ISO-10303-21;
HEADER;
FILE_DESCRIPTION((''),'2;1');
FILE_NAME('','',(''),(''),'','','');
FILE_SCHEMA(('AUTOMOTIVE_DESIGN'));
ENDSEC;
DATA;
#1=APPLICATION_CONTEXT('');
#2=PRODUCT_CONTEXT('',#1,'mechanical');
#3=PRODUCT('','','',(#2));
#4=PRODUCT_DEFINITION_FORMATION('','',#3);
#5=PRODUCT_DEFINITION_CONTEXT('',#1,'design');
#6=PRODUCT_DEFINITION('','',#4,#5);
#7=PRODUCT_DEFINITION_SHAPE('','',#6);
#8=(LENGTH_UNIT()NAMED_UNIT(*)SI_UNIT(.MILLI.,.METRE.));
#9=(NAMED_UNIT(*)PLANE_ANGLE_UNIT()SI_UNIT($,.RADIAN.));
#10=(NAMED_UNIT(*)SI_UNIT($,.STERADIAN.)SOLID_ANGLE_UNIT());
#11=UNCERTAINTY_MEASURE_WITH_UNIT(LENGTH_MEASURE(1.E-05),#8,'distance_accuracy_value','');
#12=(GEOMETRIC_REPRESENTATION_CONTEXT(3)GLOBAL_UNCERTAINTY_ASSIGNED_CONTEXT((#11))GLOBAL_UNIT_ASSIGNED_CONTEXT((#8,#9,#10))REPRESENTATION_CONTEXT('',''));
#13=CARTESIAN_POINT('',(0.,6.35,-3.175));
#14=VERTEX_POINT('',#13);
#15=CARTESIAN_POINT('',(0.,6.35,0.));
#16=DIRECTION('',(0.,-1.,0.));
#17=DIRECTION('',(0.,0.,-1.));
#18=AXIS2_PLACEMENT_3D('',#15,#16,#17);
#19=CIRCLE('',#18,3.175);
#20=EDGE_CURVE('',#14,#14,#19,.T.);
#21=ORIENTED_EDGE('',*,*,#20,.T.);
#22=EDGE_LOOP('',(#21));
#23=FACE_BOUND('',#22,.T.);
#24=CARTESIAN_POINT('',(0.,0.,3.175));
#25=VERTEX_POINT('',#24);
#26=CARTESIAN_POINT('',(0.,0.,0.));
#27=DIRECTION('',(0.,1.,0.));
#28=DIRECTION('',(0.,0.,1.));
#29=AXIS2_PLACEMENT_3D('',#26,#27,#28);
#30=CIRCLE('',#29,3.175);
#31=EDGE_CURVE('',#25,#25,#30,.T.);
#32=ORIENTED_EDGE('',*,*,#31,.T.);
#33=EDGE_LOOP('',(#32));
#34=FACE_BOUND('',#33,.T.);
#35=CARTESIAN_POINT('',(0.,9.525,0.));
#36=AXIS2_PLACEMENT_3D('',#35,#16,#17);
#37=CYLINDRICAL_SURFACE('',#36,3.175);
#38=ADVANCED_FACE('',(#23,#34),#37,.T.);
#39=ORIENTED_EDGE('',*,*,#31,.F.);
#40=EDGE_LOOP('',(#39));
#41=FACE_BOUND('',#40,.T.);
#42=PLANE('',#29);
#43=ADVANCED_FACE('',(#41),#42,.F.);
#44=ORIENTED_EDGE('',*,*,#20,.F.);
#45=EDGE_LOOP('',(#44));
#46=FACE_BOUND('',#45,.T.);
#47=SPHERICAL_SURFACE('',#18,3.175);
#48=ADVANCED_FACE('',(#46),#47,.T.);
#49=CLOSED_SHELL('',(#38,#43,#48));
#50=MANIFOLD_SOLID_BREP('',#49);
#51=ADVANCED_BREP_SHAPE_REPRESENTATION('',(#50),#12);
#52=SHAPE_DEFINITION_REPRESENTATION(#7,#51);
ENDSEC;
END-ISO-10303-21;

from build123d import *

# Parameters (mm, degrees)
SKETCH1_R      = 3.175
EXTRUDE1_DEPTH = 9.525
FILLET1_R      = 3.175


with BuildPart() as part:
    # Sketch1 → Extrude1 (new body)
    with BuildSketch(Plane(origin=(0, 0, 0), x_dir=(1, 0, 0), z_dir=(0, 1, 0))):
        with Locations(Location((0, 0, 0), (0, 0, 270))):  # turned: the seam where the file's is
            Circle(SKETCH1_R)
    extrude(amount=EXTRUDE1_DEPTH)

    # Fillet1
    fillet1_edges = [part.edges().sort_by_distance(p)[0] for p in [
        (0, 9.525, -3.175),
    ]]
    fillet(fillet1_edges, radius=FILLET1_R)


solid = part.part
